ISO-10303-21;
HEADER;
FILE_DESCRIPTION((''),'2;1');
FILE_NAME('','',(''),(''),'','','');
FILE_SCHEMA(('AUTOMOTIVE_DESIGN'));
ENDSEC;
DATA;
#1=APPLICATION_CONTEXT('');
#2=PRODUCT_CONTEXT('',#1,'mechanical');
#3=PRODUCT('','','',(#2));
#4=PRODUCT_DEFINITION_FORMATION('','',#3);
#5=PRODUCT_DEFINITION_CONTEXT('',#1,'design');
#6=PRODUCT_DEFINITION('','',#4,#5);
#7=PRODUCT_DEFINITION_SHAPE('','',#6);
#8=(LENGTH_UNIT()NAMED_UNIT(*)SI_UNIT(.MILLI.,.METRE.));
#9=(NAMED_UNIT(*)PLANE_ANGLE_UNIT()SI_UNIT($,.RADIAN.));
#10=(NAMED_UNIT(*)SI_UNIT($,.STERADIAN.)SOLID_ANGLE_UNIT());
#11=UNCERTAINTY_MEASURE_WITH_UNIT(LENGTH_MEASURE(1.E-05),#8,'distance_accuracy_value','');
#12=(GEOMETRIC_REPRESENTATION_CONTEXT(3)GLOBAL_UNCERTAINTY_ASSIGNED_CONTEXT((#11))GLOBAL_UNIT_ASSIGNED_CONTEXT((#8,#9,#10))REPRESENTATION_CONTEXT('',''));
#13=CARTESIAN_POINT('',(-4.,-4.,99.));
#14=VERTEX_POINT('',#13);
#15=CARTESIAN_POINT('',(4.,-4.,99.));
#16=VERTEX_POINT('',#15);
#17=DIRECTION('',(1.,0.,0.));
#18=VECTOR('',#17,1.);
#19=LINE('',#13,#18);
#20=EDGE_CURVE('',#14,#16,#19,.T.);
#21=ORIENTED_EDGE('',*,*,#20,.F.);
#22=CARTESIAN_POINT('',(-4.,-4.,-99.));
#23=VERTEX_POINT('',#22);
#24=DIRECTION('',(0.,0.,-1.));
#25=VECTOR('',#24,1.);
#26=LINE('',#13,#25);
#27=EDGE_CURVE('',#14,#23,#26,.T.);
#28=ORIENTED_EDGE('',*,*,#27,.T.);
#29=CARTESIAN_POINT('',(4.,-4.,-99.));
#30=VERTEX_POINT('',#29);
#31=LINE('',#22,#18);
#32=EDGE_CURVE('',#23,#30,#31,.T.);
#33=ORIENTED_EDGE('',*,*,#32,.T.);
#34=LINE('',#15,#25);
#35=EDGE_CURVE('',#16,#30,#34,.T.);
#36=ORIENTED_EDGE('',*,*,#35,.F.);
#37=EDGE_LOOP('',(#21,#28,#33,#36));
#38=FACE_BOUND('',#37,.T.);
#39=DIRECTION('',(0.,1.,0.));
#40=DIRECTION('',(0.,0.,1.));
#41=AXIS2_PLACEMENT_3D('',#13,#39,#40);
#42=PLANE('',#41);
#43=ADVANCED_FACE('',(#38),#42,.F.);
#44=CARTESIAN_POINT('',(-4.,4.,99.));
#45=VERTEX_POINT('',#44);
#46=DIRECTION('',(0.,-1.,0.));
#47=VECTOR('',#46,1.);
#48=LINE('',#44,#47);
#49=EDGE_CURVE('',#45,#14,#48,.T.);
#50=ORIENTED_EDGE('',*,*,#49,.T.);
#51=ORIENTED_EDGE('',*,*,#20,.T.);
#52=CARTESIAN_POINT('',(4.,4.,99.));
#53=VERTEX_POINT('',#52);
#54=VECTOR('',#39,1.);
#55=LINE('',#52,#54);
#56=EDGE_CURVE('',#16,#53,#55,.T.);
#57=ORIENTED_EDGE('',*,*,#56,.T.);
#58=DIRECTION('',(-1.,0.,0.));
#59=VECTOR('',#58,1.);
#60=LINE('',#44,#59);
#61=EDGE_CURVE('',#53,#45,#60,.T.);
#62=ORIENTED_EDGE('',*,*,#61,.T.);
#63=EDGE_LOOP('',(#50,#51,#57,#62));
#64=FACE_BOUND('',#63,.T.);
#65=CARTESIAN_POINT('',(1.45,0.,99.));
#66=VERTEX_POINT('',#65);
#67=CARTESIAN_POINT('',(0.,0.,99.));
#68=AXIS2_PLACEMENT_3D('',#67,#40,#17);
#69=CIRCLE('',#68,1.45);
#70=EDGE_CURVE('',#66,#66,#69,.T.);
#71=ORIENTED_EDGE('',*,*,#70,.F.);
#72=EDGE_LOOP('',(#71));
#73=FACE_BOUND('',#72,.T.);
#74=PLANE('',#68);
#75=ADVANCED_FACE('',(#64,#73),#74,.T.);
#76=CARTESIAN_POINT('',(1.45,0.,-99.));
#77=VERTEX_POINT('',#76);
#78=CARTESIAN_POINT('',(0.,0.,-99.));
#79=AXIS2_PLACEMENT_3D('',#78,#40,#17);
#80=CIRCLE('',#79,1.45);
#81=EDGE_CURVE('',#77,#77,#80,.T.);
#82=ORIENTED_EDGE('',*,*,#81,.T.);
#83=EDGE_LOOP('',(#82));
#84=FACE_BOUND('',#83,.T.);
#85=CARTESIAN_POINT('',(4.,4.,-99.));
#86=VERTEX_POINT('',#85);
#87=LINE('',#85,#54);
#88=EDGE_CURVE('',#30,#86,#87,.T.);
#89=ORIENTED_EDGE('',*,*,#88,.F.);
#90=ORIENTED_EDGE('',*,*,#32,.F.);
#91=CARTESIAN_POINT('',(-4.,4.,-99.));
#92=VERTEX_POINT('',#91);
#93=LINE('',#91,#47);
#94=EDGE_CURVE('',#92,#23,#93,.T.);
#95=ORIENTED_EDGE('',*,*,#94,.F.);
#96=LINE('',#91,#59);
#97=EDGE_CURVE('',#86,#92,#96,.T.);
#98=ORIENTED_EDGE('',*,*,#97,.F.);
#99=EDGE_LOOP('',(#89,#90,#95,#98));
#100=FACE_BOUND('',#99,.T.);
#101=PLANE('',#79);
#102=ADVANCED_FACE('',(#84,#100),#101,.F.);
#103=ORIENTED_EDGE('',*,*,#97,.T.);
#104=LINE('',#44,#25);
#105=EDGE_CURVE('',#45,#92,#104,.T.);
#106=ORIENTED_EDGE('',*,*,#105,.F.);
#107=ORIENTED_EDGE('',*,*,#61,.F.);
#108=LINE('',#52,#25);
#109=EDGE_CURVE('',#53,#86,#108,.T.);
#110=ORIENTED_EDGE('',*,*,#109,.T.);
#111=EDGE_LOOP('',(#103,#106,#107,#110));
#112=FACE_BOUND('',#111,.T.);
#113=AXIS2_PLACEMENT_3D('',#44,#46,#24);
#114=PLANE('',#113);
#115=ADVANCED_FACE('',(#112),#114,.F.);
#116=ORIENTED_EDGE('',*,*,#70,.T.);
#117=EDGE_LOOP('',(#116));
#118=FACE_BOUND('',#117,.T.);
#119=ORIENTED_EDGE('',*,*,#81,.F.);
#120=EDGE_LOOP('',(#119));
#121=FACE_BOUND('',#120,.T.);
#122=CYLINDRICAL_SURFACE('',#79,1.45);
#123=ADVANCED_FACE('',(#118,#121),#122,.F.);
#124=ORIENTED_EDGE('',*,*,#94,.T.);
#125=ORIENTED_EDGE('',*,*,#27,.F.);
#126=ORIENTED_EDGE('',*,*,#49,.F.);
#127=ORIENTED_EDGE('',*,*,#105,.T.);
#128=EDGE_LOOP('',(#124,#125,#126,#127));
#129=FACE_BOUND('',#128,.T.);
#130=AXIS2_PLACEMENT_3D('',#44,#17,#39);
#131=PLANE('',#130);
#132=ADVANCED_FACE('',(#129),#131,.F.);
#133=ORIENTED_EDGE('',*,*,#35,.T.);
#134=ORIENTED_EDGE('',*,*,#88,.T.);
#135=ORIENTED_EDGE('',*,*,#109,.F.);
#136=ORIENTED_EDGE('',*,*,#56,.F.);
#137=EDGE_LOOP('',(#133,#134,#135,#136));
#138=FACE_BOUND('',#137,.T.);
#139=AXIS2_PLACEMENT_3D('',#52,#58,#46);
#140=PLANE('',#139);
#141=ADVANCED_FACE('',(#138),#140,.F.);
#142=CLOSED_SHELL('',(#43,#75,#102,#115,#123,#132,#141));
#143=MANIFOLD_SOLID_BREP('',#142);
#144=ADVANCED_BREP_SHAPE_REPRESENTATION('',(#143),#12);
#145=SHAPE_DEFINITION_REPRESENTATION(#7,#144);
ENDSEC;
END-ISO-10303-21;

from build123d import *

# Parameters (mm, degrees)
SKETCH1_W           = 8
SKETCH1_H           = 8
BOSS_EXTRUDE1_DEPTH = 99
SKETCH2_R           = 1.45
CUT_EXTRUDE1_DEPTH  = 198


with BuildPart() as part:
    # Sketch1 → Boss-Extrude1 (new, symmetric)
    with BuildSketch(Plane.XY):
        Rectangle(SKETCH1_W, SKETCH1_H)
    extrude(amount=BOSS_EXTRUDE1_DEPTH, both=True)

    # Sketch2 → Cut-Extrude1 (cut)
    with BuildSketch(Plane.XY.offset(99)):
        Circle(SKETCH2_R)
    extrude(amount=-CUT_EXTRUDE1_DEPTH, mode=Mode.SUBTRACT)


solid = part.part
